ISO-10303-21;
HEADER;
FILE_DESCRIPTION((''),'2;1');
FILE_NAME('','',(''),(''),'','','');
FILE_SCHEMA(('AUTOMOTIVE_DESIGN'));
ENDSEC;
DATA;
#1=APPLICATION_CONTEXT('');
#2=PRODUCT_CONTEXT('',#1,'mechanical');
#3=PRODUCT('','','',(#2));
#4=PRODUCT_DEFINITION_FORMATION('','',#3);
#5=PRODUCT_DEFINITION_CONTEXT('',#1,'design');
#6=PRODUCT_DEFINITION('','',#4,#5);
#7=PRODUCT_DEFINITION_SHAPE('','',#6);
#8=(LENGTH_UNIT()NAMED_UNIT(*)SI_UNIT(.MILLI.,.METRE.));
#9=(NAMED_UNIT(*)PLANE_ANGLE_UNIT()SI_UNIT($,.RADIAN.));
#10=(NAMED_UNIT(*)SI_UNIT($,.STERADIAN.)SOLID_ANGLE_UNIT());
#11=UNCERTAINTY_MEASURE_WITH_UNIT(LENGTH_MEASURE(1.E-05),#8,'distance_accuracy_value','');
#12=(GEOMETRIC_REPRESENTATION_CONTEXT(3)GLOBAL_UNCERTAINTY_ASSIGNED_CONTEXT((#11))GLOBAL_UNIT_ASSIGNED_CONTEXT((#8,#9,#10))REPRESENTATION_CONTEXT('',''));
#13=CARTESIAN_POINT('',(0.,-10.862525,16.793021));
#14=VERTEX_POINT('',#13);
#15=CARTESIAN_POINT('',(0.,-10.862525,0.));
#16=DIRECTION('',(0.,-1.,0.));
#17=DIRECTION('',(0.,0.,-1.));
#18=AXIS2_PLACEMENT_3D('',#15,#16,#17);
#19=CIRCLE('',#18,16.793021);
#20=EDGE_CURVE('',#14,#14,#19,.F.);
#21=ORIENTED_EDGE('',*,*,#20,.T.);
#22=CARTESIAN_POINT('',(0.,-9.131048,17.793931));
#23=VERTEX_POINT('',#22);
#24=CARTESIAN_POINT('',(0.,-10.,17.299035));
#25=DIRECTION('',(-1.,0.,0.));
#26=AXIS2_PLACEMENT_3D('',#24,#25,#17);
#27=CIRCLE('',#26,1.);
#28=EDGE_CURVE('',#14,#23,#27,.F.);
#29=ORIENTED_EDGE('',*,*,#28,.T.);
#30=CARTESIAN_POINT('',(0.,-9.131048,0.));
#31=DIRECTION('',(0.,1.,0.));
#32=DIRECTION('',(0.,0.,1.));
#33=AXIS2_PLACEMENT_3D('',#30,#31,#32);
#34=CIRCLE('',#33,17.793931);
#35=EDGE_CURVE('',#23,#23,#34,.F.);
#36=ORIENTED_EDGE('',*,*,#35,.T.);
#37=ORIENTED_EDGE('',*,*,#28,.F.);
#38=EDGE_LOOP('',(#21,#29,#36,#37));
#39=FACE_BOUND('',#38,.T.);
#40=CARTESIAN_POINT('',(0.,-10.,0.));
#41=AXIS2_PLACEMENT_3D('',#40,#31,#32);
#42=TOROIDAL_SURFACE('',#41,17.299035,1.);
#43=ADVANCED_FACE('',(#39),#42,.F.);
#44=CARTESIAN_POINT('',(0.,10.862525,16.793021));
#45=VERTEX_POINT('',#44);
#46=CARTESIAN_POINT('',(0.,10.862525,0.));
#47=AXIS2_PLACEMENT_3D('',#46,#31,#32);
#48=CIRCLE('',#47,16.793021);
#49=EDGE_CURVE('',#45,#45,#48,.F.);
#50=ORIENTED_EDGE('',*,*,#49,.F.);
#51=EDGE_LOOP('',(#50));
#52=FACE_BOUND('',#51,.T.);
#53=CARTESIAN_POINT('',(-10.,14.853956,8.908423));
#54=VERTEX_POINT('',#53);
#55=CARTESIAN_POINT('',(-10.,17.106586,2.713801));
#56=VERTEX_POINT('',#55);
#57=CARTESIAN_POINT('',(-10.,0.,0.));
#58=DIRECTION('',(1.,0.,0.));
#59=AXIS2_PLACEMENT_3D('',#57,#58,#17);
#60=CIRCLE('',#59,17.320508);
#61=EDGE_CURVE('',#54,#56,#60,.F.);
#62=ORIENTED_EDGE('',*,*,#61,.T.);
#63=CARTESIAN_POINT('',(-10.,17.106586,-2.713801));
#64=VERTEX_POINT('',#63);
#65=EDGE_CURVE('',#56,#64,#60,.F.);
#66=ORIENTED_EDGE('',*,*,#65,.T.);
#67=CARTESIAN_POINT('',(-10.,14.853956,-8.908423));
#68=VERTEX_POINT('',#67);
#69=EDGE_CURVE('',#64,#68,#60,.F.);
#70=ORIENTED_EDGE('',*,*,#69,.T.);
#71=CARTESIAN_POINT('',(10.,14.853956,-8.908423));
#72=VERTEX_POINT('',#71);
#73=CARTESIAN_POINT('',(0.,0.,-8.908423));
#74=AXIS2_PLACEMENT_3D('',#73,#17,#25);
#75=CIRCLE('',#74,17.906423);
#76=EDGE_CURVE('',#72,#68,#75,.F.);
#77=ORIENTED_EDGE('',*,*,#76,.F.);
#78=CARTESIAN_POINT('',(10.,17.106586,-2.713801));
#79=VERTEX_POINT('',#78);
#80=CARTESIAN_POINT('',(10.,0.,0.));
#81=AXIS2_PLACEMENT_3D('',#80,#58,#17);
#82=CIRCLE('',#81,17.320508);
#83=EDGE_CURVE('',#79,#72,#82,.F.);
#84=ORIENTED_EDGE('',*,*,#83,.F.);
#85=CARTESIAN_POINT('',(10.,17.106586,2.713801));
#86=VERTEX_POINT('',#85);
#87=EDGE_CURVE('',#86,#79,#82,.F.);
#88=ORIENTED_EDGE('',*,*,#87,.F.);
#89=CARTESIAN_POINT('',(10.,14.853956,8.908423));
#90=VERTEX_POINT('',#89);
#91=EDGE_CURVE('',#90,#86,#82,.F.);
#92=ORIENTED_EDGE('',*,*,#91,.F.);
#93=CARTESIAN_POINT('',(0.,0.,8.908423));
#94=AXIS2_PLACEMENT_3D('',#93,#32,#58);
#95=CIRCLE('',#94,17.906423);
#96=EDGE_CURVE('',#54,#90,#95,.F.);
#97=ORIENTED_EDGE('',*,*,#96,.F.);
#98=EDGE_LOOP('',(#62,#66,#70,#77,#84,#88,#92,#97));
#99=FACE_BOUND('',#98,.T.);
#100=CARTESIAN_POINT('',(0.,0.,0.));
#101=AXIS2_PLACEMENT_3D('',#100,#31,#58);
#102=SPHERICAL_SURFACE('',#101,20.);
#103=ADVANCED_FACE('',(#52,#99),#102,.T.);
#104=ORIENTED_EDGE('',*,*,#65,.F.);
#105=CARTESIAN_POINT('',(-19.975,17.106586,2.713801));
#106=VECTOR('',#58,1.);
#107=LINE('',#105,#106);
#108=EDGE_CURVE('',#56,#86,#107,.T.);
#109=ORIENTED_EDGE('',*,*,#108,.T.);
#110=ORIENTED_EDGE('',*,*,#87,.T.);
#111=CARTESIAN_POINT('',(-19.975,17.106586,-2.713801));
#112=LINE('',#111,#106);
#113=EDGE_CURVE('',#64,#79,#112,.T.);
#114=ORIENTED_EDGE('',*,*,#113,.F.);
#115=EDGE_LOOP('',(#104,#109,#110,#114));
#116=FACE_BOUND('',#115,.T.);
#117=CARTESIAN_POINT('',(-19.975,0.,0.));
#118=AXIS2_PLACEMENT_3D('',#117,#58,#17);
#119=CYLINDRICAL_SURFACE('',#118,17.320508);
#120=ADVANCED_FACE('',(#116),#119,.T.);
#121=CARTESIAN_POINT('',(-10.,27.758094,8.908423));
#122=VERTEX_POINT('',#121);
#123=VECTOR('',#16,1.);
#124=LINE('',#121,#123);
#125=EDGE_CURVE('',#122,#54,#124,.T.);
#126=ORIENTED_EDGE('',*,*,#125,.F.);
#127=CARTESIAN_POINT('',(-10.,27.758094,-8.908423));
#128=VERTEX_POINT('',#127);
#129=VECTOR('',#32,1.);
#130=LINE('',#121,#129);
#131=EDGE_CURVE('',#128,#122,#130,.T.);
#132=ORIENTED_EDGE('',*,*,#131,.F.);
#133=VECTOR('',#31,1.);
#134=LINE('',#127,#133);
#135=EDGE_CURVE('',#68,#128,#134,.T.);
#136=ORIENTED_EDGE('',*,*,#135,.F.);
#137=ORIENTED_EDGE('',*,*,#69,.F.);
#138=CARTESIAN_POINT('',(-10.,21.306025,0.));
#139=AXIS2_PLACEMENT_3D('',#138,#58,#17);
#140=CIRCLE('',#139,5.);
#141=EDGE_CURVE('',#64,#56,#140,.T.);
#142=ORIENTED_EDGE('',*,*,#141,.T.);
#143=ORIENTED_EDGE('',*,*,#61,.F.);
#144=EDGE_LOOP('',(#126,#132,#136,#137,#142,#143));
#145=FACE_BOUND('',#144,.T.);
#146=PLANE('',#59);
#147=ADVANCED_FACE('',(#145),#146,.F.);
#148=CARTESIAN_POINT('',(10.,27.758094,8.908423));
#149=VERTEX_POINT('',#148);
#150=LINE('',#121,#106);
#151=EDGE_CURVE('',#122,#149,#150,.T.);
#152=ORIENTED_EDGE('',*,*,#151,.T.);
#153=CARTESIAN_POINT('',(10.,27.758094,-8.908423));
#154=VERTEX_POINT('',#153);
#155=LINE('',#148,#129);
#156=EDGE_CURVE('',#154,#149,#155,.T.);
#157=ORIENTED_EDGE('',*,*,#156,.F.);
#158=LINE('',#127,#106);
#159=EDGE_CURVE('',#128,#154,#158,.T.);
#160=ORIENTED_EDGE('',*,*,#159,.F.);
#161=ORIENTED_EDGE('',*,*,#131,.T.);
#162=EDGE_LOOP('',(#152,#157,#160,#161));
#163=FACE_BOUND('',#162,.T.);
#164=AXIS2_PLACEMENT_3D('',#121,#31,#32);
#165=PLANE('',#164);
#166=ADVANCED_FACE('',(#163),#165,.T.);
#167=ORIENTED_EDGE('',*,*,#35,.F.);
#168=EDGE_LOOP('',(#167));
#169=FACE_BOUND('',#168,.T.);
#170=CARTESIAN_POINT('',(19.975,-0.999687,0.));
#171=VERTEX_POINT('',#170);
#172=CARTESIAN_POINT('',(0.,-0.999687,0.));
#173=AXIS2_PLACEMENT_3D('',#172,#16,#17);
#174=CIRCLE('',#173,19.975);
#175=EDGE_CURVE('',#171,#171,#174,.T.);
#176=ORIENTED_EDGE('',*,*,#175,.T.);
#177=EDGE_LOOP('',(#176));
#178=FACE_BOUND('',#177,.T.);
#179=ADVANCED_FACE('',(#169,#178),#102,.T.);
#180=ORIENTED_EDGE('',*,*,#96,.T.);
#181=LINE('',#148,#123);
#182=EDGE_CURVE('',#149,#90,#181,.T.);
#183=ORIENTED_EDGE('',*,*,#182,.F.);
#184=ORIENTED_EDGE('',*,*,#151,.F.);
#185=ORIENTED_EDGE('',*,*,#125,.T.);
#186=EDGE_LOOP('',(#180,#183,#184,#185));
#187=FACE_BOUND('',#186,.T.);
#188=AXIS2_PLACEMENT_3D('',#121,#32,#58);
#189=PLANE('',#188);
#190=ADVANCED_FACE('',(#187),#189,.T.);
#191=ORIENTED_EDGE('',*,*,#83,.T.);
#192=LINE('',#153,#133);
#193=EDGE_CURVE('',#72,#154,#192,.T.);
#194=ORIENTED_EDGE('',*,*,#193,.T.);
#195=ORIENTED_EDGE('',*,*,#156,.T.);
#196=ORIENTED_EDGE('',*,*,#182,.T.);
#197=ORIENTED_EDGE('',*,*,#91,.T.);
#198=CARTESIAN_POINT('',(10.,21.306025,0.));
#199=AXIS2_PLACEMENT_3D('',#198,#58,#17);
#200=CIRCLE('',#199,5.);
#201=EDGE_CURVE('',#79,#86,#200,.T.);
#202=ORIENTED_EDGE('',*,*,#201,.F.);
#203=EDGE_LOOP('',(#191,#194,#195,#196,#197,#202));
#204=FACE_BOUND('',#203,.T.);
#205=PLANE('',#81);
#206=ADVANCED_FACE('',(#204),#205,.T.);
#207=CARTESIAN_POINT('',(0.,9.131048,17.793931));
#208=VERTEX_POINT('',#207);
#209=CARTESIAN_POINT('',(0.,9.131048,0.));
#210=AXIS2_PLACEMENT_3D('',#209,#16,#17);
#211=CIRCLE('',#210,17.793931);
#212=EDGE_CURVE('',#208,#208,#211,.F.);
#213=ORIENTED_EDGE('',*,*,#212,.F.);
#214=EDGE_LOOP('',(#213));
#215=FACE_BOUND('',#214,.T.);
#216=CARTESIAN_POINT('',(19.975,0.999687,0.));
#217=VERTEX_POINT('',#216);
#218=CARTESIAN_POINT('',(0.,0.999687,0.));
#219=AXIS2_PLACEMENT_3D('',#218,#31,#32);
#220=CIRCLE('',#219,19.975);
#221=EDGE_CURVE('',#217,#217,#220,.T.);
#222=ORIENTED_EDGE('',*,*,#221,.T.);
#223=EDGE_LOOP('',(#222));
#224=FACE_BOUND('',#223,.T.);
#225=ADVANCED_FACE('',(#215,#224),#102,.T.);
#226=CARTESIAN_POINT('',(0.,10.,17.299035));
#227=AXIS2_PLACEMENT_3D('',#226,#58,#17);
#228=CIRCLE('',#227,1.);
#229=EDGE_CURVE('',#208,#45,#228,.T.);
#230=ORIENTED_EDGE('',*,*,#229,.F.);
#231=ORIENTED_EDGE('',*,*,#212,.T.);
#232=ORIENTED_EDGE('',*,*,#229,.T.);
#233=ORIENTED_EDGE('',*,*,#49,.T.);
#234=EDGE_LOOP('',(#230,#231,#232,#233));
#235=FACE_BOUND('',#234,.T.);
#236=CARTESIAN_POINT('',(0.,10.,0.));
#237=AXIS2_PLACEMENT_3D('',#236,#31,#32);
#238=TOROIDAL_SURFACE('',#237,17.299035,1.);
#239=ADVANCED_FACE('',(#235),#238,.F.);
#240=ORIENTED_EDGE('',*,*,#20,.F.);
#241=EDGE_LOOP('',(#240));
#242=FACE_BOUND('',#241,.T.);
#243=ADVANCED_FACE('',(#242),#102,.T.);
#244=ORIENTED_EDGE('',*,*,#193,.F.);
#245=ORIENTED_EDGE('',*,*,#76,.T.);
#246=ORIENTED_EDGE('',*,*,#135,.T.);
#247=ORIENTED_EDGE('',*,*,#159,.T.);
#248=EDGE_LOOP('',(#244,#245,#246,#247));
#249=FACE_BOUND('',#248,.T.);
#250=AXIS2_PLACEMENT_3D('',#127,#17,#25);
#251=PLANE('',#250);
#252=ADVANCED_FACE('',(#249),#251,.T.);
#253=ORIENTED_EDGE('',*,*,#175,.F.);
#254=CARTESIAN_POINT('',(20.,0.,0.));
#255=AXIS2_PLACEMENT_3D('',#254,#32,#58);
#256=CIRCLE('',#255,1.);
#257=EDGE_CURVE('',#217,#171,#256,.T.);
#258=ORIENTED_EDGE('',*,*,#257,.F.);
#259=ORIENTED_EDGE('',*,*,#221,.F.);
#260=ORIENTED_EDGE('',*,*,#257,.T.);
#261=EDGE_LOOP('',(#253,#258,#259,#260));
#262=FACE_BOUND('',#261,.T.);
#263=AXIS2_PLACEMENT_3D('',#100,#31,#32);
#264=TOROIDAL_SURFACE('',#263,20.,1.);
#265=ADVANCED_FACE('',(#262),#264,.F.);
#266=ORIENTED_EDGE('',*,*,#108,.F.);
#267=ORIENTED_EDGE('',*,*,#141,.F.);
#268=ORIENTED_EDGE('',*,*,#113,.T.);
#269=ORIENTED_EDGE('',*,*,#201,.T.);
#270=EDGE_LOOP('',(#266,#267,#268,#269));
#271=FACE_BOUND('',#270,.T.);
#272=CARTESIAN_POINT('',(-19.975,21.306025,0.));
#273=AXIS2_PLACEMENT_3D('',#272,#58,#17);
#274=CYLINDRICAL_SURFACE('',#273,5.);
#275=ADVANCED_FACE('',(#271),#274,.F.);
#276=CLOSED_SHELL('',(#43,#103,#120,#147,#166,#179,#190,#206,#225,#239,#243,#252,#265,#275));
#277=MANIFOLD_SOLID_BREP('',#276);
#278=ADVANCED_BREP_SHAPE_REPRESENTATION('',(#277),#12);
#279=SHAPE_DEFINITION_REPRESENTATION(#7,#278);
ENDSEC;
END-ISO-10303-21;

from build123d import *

# Parameters (mm, degrees)
ESQUISSE4_R             = 1
ESQUISSE9_R             = 1
BOSS_EXTRU_4_DEPTH      = 10
BOSS_EXTRU_4_DEPTH_BACK = 10
ESQUISSE11_W            = 17.81684603
ESQUISSE11_H            = 15.516188122
ENL_V_MAT_EXTRU_1_DEPTH = 46.475411333


with BuildPart() as part:
    # Esquisse1 → Révolution1 (revolve)
    with BuildSketch(Plane.XY):
        with BuildLine():
            Line((0, 20), (0, -20))
            ThreePointArc((0, -20), (-20, 0), (0, 20))
        make_face()
    revolve(axis=Axis((0, 20, 0), (0, -1, 0)))

    # Enlèvement de matière-Balayage1: sweep along a path in Esquisse5
    with BuildLine(Plane(origin=(0, 0, 0), x_dir=(1, 0, 0), z_dir=(0, 1, 0))) as enl_vement_de_mati_re_balayage1_path:
        CenterArc((0, 0), 20, 0, 360)
    # Esquisse4 → Enlèvement de matière-Balayage1 (sweep, cut)
    with BuildSketch(Plane.XY):
        with Locations((20, 0)):
            Circle(ESQUISSE4_R)
    sweep(path=enl_vement_de_mati_re_balayage1_path.line, mode=Mode.SUBTRACT)

    # Enlèvement de matière-Balayage2: sweep along a path in Esquisse8
    with BuildLine(Plane(origin=(0, 10, 0), x_dir=(1, 0, 0), z_dir=(0, 1, 0))) as enl_vement_de_mati_re_balayage2_path:
        CenterArc((0, 0), 17.29903491, 0, 360)
    # Esquisse9 → Enlèvement de matière-Balayage2 (sweep, cut)
    with BuildSketch(Plane(origin=(0, 0, 0), x_dir=(0, 0, -1), z_dir=(1, 0, 0))):
        with Locations((-17.29903491, 10)):
            Circle(ESQUISSE9_R)
    enl_vement_de_mati_re_balayage2 = sweep(path=enl_vement_de_mati_re_balayage2_path.line, mode=Mode.SUBTRACT)

    # Symétrie1: Enlèvement de matière-Balayage2 across plane
    add(enl_vement_de_mati_re_balayage2.mirror(Plane.ZX), mode=Mode.SUBTRACT)

    # Esquisse11 → Boss.-Extru.4 (add, two sides: drawn at the far end of the back side and taken through both)
    with BuildSketch(Plane(origin=(0, 0, 0), x_dir=(0, 0, -1), z_dir=(1, 0, 0)).offset(-BOSS_EXTRU_4_DEPTH_BACK)):
        with Locations((0, 20)):
            Rectangle(ESQUISSE11_W, ESQUISSE11_H)
    extrude(amount=BOSS_EXTRU_4_DEPTH + BOSS_EXTRU_4_DEPTH_BACK)

    # Esquisse12 → Enlèv. mat.-Extru.1 (cut, through all)
    with BuildSketch(Plane(origin=(10, 0, 0), x_dir=(0, 0, -1), z_dir=(1, 0, 0))):
        with BuildLine():
            ThreePointArc((5, 21.306024871), (0, 26.306024871), (-5, 21.306024871))
            ThreePointArc((-5, 21.306024871), (-4.39141224, 18.915313985), (-2.713800585, 17.106586053))
            ThreePointArc((-2.713800585, 17.106586053), (0, 17.320508076), (2.713800585, 17.106586053))
            ThreePointArc((2.713800585, 17.106586053), (4.39141224, 18.915313985), (5, 21.306024871))
        make_face()
    extrude(amount=-ENL_V_MAT_EXTRU_1_DEPTH, mode=Mode.SUBTRACT)


solid = part.part
